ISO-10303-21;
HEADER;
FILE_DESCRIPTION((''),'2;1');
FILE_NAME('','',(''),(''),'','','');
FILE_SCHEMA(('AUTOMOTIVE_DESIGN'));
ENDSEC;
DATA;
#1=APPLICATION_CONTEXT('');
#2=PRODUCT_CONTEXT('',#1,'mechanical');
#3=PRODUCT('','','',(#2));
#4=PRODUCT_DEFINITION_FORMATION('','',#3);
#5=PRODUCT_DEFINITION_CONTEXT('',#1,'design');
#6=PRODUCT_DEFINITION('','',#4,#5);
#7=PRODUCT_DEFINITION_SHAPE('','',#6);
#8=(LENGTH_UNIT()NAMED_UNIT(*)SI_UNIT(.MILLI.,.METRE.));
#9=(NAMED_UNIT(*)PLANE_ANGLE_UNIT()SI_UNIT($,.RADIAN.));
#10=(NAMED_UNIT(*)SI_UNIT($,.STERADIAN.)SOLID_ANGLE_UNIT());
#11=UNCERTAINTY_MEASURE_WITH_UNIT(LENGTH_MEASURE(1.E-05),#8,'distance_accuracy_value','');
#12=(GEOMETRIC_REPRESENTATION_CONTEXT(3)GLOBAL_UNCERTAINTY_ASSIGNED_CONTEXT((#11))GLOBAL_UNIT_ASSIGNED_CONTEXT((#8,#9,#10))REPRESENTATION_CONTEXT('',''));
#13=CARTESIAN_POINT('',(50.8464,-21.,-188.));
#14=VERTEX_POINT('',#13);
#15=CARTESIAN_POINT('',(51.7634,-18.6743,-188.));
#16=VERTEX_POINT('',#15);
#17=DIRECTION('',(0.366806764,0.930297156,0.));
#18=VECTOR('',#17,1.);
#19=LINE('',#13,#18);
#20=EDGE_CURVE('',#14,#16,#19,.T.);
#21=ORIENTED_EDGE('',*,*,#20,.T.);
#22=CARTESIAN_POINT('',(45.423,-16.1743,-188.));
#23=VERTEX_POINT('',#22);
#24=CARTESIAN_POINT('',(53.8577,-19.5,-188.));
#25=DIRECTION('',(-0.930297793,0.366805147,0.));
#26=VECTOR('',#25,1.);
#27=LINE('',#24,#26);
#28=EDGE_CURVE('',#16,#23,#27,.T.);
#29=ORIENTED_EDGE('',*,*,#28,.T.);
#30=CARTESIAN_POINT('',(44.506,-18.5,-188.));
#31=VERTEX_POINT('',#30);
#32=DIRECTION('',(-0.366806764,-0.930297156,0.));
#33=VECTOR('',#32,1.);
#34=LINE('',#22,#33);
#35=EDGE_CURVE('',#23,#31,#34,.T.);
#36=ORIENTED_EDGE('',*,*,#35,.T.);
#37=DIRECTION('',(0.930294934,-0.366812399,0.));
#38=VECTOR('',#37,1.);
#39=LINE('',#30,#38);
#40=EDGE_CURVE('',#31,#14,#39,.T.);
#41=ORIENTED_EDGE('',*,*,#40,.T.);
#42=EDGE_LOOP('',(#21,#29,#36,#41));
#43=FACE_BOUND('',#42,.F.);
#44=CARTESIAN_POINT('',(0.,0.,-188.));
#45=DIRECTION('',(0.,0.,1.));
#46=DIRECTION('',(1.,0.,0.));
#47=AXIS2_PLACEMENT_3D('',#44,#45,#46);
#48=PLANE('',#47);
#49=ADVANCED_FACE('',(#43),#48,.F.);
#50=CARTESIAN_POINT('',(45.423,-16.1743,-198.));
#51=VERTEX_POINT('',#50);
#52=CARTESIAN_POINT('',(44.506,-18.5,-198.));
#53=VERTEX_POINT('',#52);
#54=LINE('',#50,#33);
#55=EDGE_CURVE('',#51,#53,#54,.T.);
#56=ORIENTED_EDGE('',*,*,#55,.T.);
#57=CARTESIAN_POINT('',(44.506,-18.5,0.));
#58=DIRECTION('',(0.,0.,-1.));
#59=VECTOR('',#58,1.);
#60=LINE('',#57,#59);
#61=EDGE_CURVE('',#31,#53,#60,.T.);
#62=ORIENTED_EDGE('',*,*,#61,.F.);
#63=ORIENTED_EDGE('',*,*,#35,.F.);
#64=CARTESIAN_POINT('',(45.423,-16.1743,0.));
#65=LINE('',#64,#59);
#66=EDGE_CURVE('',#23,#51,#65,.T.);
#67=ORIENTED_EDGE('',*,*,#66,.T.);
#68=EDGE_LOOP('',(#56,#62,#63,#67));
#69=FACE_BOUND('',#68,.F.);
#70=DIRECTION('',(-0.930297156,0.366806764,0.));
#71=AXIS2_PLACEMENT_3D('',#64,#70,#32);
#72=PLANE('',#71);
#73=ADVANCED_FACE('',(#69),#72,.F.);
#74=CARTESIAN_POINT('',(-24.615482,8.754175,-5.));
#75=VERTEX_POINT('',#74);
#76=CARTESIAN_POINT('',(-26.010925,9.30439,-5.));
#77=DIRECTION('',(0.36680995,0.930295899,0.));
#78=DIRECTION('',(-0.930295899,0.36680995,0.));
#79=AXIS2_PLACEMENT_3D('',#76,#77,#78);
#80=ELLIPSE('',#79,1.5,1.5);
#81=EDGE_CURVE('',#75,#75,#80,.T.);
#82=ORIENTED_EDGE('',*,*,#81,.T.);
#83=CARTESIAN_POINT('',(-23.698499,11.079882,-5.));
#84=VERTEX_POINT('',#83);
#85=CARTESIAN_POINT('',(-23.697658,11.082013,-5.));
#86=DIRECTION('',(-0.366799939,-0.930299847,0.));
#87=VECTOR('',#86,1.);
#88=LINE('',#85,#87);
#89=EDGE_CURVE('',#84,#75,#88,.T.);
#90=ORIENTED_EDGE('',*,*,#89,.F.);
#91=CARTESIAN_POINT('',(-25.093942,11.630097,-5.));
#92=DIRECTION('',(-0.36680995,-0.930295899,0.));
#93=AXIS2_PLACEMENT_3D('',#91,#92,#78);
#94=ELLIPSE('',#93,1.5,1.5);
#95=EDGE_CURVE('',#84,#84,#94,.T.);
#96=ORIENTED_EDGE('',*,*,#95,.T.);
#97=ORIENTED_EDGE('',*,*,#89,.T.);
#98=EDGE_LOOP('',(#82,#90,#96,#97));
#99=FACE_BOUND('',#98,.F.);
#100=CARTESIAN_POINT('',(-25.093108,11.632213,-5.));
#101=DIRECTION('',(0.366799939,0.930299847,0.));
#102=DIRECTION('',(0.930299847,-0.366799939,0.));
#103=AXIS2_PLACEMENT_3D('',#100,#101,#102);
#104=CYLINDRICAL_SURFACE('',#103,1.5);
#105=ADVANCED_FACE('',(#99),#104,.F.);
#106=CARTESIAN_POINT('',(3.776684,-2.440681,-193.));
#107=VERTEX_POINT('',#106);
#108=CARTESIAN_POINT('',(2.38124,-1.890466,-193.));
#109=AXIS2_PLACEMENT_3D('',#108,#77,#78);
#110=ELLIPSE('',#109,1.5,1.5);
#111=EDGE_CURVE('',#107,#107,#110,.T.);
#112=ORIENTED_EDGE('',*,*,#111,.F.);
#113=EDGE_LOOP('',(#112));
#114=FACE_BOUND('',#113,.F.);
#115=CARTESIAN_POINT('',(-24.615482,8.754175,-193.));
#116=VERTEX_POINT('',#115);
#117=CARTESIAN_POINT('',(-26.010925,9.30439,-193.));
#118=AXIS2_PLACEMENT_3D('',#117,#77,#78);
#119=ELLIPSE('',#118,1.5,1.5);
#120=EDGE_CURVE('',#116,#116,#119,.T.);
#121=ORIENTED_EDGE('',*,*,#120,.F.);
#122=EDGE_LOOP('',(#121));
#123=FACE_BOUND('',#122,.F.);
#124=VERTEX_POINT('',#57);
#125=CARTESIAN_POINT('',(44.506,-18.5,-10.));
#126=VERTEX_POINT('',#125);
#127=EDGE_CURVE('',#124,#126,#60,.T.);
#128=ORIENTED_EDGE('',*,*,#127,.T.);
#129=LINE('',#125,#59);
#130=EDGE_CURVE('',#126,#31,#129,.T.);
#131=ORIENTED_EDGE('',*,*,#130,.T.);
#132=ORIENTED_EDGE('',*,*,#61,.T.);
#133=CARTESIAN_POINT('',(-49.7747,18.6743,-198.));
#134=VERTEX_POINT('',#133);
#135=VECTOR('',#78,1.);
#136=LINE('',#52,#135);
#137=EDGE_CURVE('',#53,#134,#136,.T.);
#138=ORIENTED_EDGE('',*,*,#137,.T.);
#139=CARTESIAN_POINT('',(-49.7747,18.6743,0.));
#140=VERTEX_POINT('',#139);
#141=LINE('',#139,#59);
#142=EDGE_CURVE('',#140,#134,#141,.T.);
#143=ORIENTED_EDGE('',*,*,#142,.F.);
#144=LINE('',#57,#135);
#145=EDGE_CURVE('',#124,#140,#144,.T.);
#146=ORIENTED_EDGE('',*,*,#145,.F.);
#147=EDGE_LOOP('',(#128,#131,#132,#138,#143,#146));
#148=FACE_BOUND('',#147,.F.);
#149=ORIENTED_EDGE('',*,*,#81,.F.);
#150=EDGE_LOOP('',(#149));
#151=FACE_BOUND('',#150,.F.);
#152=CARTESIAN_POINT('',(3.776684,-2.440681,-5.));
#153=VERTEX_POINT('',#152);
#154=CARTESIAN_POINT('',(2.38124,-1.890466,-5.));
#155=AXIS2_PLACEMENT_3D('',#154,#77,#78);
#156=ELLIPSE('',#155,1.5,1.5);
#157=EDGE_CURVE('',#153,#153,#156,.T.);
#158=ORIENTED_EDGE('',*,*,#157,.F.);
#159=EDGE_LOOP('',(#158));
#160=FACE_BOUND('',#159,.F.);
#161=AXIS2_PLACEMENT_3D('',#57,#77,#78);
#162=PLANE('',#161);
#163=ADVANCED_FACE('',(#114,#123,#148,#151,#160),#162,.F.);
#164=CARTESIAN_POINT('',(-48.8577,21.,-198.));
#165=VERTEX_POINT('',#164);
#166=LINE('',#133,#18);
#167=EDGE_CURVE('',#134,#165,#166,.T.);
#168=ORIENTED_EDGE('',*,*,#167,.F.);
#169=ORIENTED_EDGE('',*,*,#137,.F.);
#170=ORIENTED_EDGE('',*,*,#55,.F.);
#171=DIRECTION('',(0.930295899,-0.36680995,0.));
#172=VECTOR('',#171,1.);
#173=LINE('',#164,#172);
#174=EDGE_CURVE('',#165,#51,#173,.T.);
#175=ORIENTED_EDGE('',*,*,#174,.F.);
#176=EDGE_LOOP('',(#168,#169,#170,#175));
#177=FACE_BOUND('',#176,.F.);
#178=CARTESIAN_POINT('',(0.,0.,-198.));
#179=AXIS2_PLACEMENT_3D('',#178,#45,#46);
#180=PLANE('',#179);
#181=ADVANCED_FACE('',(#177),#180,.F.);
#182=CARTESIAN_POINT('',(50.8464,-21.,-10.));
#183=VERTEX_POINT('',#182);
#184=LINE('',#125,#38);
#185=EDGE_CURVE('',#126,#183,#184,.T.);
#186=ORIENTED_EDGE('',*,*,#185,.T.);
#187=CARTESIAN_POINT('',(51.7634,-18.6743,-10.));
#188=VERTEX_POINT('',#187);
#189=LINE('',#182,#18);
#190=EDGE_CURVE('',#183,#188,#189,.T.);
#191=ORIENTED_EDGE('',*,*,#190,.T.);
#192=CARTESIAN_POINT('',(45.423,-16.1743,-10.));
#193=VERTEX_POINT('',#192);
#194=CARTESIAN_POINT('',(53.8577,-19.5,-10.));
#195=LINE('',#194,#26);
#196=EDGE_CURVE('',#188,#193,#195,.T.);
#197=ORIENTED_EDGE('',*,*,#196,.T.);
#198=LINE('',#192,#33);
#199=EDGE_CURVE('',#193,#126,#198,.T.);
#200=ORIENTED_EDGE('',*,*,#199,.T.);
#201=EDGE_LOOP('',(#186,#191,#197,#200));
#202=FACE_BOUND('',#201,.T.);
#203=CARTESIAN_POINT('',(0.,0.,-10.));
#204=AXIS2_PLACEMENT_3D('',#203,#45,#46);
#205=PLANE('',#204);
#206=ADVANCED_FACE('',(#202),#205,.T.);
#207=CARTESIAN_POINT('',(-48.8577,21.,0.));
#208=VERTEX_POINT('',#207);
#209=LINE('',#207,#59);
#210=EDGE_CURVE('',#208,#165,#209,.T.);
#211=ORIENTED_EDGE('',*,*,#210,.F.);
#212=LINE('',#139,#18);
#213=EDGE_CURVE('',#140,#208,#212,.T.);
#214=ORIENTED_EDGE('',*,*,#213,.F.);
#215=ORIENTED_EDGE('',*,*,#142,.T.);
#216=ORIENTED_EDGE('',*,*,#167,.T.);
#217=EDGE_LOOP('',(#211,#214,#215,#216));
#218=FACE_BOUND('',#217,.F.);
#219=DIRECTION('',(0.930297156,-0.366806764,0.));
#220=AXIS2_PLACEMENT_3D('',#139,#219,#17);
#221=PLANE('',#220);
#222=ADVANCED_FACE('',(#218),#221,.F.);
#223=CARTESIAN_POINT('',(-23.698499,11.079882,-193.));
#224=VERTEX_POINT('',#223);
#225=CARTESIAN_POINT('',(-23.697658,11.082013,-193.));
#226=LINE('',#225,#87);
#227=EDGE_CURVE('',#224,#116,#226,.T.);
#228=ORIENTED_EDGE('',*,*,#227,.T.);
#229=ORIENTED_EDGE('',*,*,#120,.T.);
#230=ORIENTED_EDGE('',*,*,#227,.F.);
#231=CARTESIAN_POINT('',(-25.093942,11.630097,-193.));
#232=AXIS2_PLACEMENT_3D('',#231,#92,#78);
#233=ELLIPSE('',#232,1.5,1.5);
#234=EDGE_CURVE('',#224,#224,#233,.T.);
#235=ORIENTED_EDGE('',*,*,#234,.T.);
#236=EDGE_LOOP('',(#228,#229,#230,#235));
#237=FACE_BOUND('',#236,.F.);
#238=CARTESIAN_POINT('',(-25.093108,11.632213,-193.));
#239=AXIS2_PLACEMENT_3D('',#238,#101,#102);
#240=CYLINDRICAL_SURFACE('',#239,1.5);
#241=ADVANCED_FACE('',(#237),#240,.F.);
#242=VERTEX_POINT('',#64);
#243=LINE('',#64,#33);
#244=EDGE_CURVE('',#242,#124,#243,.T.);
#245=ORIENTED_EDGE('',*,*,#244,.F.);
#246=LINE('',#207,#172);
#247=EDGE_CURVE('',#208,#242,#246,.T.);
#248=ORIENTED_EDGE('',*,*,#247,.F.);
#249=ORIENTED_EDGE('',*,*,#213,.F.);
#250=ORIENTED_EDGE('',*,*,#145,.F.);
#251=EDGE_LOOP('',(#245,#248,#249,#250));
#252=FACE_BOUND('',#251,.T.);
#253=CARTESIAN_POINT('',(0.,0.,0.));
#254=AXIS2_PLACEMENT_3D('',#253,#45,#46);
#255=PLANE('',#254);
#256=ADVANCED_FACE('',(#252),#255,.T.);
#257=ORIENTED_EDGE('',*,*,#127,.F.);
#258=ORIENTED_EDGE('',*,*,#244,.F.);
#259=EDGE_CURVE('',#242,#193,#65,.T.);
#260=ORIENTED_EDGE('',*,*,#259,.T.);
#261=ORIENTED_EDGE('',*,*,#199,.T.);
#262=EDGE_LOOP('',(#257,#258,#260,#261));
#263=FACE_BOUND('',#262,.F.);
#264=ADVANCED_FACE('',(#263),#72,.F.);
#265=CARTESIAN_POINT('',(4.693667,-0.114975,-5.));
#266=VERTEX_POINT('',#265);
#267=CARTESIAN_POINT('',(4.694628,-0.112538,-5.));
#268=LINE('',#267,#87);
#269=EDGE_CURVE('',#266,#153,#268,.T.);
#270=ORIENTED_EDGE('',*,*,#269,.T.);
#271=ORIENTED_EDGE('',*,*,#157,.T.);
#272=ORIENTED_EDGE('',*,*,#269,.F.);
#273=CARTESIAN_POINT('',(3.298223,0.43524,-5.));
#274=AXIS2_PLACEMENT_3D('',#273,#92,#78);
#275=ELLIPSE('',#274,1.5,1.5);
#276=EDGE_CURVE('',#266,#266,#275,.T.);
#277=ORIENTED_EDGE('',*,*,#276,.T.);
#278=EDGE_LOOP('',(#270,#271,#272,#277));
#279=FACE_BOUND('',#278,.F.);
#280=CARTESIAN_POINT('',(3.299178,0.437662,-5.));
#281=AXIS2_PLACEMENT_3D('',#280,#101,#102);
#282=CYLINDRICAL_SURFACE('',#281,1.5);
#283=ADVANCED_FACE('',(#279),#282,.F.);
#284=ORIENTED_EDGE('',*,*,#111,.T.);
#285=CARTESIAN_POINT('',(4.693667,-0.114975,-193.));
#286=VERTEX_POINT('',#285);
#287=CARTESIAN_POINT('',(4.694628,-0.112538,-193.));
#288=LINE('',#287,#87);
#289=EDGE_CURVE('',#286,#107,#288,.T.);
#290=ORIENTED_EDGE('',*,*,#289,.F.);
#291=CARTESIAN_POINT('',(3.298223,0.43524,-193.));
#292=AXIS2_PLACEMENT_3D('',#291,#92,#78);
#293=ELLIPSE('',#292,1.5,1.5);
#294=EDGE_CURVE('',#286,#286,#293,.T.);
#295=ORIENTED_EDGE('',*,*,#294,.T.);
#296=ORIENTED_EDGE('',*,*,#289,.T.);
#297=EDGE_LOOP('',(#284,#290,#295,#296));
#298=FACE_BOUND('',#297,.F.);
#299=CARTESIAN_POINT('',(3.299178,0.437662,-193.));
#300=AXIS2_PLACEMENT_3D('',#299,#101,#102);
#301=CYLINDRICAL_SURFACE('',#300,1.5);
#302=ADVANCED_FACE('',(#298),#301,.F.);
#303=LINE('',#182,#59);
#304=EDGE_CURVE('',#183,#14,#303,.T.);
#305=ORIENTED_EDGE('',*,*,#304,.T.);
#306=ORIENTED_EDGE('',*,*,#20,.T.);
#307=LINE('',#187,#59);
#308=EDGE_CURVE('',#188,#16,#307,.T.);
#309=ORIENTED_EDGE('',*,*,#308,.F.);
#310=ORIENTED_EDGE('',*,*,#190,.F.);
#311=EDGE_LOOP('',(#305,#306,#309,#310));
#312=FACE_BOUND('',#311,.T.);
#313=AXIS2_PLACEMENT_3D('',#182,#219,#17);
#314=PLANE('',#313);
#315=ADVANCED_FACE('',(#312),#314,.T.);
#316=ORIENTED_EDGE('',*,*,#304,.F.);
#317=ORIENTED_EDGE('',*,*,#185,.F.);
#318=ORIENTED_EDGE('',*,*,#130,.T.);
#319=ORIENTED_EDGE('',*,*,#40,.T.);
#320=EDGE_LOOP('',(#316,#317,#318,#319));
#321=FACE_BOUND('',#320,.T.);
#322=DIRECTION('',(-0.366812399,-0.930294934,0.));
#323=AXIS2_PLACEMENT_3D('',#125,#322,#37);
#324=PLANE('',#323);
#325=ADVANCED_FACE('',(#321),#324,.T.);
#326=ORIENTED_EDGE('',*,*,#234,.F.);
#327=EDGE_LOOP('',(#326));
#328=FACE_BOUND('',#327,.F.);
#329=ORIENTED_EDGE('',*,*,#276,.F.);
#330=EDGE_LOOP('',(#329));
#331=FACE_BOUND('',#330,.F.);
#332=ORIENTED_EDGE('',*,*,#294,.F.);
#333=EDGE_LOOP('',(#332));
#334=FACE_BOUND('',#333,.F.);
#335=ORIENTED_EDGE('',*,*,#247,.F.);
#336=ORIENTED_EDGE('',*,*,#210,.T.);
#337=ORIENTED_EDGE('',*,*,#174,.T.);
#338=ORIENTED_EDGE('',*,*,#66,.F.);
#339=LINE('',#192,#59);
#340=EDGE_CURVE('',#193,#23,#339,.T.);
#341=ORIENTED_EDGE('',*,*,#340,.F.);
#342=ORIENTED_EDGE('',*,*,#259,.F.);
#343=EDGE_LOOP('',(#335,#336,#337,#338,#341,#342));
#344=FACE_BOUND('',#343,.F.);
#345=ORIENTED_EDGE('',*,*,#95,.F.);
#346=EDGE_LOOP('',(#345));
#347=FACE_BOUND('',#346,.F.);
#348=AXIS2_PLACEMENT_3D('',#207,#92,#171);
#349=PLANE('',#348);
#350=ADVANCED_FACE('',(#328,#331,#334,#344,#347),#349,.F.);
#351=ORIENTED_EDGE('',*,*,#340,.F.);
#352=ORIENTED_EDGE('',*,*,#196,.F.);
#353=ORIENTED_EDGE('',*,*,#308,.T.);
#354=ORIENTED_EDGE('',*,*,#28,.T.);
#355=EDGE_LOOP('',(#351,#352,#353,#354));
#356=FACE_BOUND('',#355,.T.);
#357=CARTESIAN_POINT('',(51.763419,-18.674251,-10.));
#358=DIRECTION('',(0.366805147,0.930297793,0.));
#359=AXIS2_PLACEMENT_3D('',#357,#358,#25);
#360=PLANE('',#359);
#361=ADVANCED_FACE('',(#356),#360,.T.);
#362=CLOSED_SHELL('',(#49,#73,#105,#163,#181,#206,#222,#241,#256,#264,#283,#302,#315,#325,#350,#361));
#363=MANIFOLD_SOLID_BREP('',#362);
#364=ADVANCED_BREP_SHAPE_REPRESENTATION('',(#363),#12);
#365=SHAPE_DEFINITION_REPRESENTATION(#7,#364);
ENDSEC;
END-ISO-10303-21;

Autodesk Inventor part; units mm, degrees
ref_plane "YZ Plane" through (0, 0, 0) normal (1, 0, 0) x (0, 1, 0)
ref_plane "XZ Plane" through (0, 0, 0) normal (0, 1, 0) x (-1, 0, 0)
ref_plane "XY Plane" through (0, 0, 0) normal (0, 0, 1) x (1, 0, 0)
sketch "スケッチ1" plane through (0, 0, 0) normal (0, 0, 1) x (1, 0, 0)
  line L0 (-53.8577, -21) -> (53.8577, -21) projected
  line L1 (53.8577, -21) -> (53.8577, -19.5) projected
  line L2 (53.8577, -19.5) -> (45.423, -16.1743) projected
  line L3 (45.423, -16.1743) -> (44.506, -18.5) projected
  line L4 (44.506, -18.5) -> (-49.7747, 18.6743) projected
  line L5 (-49.7747, 18.6743) -> (-48.8577, 21) projected
  line L6 (-48.8577, 21) -> (-53.8577, 21) projected
  line L7 (-53.8577, 21) -> (-53.8577, -21) projected
  line L8 (-42.0411, 10.2503) -> (14.7433, -12.1394) projected
  arc A0 (14.0097, -16) -> (14.7433, -12.1394) centre (14.0097, -14) ccw projected
  line L9 (14.0097, -16) -> (-42.7747, -16) projected
  arc A1 (-44.7747, -14) -> (-42.7747, -16) centre (-42.7747, -14) ccw projected
  line L10 (-44.7747, -14) -> (-44.7747, 8.3897) projected
  arc A2 (-42.0411, 10.2503) -> (-44.7747, 8.3897) centre (-42.7747, 8.3897) ccw projected
  line L11 (-48.8577, 21) -> (45.423, -16.1743)
  point P0 (0, 0)
extrude "押し出し1" add sketch "スケッチ1" against normal blind 198 contours L11 L3 L4 L5
ref_plane "作業平面1" through (0, 0, -10) normal (0, 0, 1) x (1, 0, 0)
sketch "スケッチ2" plane through (0, 0, 0) normal (0, 0, 1) x (1, 0, 0)
  line L0 (-53.8577, -21) -> (53.8577, -21) projected
  line L1 (53.8577, -21) -> (53.8577, -19.5) projected
  line L2 (53.8577, -19.5) -> (45.423, -16.1743) projected
  line L3 (45.423, -16.1743) -> (44.506, -18.5) projected
  line L4 (44.506, -18.5) -> (-49.7747, 18.6743) projected
  line L5 (-49.7747, 18.6743) -> (-48.8577, 21) projected
  line L6 (-48.8577, 21) -> (-53.8577, 21) projected
  line L7 (-53.8577, 21) -> (-53.8577, -21) projected
  line L8 (-42.0411, 10.2503) -> (14.7433, -12.1394) projected
  arc A0 (14.0097, -16) -> (14.7433, -12.1394) centre (14.0097, -14) ccw projected
  line L9 (14.0097, -16) -> (-42.7747, -16) projected
  arc A1 (-44.7747, -14) -> (-42.7747, -16) centre (-42.7747, -14) ccw projected
  line L10 (-44.7747, -14) -> (-44.7747, 8.3897) projected
  arc A2 (-42.0411, 10.2503) -> (-44.7747, 8.3897) centre (-42.7747, 8.3897) ccw projected
  line L11 (45.423, -16.1743) -> (44.506, -18.5)
  line L12 (44.506, -18.5) -> (50.8464, -21)
  line L13 (50.8464, -21) -> (51.7634, -18.6743)
  line L14 (51.7634, -18.6743) -> (45.423, -16.1743)
  point P0 (0, 0)
extrude "押し出し2" add sketch "スケッチ2" against normal blind 178 from surface at -10 contours L12 L3 L2 L13
sketch "スケッチ3" plane through (-48.8577, 21, 0) normal (0.3668, 0.9303, 0) x (0.9303, -0.3668, 0)
  circle A0 centre (56.0638, 5) radius 1.5 projected
  circle A1 centre (25.5443, 5) radius 1.5 projected
  circle A2 centre (25.5443, 193) radius 1.5 projected
  circle A3 centre (56.0638, 193) radius 1.5 projected
  point P0 (53.1551, 0)
extrude "押し出し3" cut sketch "スケッチ3" against normal blind 2.5
properties part number "Slope_Riner" material "木材 (カエデ材)"
